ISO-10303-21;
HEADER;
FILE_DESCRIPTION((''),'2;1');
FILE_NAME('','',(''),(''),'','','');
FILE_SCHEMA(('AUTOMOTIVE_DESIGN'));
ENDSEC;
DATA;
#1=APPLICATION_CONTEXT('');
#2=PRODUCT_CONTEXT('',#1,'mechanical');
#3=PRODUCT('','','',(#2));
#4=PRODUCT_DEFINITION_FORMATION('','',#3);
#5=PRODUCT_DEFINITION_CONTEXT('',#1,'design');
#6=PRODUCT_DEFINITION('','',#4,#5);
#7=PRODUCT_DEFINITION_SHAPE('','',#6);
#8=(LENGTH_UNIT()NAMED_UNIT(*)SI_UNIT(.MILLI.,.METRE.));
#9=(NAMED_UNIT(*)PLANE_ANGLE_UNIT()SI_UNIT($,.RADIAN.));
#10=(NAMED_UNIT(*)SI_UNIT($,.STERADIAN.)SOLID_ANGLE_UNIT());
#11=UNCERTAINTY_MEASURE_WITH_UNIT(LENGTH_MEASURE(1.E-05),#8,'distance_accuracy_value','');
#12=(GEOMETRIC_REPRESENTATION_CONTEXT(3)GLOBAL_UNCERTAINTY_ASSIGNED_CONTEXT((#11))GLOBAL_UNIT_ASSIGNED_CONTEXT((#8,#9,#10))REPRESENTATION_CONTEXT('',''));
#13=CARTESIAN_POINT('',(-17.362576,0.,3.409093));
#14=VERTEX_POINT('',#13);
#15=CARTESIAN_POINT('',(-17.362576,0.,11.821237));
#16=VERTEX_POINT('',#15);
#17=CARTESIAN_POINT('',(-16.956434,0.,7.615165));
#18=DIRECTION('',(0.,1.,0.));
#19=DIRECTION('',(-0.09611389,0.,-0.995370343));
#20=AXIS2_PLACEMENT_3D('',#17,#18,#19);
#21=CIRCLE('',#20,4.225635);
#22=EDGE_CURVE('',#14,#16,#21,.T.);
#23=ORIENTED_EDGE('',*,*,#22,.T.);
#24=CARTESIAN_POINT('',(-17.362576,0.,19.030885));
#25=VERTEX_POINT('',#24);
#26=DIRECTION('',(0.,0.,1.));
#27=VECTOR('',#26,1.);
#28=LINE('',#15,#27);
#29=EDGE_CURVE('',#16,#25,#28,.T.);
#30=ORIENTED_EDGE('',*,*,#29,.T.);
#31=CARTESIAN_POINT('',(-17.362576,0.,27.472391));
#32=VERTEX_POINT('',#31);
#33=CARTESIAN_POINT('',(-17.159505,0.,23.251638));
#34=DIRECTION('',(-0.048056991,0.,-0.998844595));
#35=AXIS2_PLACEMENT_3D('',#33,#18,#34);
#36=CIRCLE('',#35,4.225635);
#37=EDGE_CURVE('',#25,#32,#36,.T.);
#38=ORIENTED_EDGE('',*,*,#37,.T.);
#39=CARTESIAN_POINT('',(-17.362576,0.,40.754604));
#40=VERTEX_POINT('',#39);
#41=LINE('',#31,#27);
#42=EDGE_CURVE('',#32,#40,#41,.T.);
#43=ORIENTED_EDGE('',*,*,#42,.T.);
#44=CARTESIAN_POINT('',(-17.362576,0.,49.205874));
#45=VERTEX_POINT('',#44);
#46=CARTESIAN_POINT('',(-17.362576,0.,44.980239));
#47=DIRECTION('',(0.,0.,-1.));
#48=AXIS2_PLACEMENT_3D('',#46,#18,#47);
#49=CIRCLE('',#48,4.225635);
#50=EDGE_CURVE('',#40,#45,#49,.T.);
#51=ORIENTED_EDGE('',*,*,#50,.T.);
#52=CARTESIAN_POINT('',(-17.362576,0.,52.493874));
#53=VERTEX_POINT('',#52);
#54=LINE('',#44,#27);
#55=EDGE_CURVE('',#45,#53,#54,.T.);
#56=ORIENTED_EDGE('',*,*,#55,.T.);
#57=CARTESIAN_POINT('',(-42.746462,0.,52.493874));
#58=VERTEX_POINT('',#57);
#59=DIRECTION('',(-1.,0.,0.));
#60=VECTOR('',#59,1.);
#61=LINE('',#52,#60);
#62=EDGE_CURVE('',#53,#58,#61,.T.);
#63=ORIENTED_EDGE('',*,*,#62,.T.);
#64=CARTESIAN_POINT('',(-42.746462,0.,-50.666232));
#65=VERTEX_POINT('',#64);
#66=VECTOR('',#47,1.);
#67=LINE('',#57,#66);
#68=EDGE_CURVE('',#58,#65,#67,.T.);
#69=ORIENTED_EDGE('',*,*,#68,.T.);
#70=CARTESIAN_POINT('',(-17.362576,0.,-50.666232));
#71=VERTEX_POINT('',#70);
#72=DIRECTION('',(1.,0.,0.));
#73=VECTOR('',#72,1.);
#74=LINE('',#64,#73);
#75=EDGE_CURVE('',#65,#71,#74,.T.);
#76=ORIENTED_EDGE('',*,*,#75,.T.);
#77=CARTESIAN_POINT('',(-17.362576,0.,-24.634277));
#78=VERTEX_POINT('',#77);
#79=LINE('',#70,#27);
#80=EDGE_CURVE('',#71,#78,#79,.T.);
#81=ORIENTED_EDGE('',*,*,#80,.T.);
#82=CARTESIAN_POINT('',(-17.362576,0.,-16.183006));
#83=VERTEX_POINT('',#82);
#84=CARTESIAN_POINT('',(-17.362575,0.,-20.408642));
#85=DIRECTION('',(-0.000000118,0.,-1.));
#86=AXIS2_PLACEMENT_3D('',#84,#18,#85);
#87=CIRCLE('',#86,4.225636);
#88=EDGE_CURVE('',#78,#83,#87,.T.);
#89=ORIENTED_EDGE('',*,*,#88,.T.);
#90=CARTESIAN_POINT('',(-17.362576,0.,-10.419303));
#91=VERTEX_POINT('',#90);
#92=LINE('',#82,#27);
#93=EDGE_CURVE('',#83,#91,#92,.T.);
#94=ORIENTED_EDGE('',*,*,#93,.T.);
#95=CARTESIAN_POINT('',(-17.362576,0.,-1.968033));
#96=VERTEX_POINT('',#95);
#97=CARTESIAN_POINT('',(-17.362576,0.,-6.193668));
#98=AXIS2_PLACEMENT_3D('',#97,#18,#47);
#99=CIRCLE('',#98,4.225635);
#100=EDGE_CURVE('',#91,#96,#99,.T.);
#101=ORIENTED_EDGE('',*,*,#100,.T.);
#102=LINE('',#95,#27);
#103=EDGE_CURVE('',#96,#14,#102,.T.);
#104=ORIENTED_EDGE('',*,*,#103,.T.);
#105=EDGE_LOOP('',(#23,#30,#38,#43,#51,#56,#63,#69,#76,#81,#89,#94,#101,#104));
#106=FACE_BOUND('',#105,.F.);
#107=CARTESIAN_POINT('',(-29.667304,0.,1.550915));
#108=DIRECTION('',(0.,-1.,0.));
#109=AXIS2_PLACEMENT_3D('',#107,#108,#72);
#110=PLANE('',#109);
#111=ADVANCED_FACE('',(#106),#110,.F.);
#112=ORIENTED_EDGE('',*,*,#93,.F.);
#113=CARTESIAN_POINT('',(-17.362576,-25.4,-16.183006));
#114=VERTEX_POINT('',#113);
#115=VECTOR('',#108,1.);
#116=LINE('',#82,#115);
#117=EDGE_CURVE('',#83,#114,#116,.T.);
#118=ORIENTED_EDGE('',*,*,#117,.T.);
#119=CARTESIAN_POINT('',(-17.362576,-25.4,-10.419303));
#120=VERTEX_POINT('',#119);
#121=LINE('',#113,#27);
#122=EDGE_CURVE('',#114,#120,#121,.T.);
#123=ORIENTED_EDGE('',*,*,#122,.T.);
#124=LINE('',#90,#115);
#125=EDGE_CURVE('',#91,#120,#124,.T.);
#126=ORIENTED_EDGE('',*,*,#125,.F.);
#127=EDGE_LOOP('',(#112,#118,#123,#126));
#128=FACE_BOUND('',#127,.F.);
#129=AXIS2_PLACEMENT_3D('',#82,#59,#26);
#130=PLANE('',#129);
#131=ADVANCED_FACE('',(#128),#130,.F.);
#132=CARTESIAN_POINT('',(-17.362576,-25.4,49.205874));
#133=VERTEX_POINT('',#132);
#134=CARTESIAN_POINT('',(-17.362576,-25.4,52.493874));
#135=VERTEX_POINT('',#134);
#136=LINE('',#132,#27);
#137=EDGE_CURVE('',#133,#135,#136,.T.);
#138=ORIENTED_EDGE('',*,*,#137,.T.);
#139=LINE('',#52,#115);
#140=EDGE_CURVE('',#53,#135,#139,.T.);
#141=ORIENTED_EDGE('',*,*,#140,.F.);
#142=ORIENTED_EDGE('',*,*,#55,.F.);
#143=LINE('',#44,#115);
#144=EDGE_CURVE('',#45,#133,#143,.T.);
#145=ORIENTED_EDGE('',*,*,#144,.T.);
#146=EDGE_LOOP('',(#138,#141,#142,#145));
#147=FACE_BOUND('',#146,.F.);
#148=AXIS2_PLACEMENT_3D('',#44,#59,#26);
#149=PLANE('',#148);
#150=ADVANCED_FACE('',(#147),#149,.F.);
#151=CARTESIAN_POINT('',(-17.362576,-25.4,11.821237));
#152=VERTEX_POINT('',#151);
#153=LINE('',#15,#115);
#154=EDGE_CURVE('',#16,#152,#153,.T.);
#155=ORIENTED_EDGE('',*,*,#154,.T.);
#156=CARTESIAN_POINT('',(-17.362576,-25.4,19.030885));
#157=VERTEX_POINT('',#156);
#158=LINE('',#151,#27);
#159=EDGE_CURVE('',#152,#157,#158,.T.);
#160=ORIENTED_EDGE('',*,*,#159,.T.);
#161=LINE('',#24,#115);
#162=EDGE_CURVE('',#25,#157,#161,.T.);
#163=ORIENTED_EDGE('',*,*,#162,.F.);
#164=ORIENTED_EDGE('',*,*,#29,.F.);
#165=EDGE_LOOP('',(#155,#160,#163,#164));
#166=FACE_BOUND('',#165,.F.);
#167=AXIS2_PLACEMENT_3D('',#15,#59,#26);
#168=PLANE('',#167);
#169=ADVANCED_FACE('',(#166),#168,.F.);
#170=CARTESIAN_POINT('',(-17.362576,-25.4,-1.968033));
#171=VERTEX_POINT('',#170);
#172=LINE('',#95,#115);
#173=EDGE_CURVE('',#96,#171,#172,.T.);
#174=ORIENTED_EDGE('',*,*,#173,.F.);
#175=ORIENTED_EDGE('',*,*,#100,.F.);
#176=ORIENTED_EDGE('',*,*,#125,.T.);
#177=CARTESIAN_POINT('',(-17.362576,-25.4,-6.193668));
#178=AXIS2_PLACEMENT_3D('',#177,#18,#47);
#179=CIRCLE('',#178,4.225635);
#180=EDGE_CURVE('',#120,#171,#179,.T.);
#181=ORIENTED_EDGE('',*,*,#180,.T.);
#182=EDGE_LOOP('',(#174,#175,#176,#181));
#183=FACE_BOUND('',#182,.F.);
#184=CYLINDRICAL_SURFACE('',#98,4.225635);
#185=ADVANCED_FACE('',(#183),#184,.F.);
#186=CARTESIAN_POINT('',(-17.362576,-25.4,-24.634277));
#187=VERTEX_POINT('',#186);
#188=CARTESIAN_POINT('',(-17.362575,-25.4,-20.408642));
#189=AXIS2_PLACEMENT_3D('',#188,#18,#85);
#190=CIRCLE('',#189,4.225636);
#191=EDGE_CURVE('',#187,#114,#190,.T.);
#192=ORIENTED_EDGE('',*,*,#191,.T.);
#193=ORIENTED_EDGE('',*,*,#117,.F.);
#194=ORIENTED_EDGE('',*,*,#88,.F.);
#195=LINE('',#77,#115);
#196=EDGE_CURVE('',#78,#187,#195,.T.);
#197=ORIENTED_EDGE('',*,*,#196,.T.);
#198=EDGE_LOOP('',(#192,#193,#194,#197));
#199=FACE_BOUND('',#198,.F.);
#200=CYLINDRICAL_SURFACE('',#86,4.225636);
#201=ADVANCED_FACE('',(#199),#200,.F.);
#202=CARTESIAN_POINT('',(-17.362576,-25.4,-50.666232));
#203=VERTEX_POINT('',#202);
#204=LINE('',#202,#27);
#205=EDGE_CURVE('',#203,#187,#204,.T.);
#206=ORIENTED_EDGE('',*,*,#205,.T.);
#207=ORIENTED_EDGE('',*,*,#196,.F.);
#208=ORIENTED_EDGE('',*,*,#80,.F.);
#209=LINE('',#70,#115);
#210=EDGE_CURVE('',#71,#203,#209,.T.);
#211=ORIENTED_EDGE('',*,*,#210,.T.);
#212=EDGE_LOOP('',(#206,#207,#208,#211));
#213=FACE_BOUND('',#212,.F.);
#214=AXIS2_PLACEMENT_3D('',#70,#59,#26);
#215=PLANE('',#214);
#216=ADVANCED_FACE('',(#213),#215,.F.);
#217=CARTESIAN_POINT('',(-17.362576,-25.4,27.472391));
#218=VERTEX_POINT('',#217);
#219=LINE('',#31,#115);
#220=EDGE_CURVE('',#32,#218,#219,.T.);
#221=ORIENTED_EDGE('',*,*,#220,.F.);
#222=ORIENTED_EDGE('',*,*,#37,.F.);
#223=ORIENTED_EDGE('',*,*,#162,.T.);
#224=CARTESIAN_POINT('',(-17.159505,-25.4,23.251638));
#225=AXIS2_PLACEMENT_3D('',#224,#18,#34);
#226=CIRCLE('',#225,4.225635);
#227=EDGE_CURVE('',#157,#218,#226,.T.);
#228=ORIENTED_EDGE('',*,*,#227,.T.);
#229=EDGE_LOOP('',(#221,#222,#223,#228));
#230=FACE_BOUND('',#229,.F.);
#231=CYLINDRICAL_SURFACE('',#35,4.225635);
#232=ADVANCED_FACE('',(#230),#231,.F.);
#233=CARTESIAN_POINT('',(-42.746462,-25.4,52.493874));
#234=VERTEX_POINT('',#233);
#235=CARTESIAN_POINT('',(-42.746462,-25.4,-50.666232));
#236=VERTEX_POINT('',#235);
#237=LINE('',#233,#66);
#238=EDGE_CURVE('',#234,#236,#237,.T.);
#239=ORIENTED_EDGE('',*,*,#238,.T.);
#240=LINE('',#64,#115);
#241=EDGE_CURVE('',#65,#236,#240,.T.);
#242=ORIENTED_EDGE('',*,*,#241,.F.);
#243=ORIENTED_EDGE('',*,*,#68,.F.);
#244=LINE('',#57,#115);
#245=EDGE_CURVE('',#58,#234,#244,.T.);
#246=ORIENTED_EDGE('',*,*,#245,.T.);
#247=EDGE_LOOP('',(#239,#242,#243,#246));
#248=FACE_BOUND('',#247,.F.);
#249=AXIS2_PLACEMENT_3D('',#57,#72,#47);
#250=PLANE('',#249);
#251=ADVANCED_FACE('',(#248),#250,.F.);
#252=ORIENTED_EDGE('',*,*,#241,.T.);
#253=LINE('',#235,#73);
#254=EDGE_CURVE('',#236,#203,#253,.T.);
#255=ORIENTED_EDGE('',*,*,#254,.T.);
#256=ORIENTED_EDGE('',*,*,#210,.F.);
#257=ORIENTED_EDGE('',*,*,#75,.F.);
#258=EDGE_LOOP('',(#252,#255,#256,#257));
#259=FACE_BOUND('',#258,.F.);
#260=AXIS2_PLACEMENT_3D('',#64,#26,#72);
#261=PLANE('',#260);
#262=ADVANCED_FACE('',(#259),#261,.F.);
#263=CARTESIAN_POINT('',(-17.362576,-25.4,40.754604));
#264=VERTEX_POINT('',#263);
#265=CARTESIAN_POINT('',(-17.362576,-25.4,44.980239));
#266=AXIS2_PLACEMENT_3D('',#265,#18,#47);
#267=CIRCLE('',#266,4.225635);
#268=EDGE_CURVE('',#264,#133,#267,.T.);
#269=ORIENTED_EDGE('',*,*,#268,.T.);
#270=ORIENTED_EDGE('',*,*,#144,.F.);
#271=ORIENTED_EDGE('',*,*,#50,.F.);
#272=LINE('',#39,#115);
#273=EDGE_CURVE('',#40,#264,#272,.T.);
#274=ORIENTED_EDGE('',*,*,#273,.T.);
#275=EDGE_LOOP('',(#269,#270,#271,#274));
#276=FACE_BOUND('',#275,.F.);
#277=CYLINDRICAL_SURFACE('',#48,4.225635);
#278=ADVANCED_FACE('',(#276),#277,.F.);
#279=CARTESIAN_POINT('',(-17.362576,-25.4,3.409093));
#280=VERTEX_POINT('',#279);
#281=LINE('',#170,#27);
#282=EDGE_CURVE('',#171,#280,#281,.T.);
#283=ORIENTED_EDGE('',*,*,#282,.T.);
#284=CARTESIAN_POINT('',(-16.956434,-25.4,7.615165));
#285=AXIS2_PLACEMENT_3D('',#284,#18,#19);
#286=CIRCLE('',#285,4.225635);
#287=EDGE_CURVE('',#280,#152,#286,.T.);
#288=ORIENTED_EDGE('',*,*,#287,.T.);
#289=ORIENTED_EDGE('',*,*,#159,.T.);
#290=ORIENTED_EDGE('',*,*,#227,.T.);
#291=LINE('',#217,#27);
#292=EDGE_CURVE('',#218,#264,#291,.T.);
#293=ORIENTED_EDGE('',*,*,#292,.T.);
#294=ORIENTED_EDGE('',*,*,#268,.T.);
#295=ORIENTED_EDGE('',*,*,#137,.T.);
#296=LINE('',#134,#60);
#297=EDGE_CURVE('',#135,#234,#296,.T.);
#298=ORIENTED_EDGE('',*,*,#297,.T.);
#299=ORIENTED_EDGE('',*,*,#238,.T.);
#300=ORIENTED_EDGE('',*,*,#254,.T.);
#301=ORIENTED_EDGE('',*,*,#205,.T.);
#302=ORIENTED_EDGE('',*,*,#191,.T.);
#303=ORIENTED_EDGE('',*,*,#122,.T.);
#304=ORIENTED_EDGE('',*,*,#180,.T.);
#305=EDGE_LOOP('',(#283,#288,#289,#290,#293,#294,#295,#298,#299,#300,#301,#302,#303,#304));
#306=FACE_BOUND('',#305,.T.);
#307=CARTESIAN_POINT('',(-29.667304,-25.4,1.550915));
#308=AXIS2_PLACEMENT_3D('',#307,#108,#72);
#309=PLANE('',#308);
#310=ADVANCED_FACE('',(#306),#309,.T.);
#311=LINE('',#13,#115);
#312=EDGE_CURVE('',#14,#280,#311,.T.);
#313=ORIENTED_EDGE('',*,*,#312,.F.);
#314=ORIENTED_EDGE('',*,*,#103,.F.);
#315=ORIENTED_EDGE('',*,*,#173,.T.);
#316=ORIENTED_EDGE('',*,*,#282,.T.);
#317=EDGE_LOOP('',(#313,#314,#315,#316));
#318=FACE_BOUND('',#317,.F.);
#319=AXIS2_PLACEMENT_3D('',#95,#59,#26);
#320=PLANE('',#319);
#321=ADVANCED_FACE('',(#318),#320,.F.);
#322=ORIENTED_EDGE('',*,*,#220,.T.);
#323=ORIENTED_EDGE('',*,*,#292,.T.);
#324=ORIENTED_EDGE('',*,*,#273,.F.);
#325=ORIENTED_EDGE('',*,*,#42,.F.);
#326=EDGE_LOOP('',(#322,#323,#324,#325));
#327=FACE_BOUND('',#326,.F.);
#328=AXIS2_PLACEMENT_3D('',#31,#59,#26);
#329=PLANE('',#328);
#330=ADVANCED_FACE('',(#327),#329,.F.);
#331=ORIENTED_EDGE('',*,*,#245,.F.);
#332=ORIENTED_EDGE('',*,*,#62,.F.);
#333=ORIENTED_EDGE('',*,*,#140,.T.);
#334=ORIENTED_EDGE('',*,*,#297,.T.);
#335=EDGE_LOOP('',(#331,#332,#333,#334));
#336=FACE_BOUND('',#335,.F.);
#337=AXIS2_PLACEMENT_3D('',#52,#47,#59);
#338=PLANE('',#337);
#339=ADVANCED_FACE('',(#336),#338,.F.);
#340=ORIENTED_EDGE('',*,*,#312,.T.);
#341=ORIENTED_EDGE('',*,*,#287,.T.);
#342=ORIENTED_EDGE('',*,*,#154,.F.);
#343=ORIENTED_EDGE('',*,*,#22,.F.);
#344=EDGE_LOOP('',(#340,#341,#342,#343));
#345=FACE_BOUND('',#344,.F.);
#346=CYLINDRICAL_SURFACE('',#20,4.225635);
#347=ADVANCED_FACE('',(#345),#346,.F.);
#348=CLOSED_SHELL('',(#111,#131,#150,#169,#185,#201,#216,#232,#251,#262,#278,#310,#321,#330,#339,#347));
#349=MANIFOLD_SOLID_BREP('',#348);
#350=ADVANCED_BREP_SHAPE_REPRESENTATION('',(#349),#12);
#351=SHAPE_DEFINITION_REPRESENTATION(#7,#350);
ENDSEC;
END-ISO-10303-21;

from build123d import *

# Parameters (mm, degrees)
F1_DEPTH = 25.4


with BuildPart() as f1:
    # F0 (on Front) → F1 (new body)
    with BuildSketch(Plane.XZ):
        with BuildLine():
            Line((-17.362576, 52.493874), (-42.746462, 52.493874))
            Line((-42.746462, 52.493874), (-42.746462, -50.666232))
            Line((-42.746462, -50.666232), (-17.362576, -50.666232))
            Line((-17.362576, -50.666232), (-17.362576, -24.634277))
            ThreePointArc((-17.362576, -24.634277), (-21.588211, -20.408642), (-17.362576, -16.183006))
            Line((-17.362576, -16.183006), (-17.362576, -10.419303))
            ThreePointArc((-17.362576, -10.419303), (-21.588211, -6.193668), (-17.362576, -1.968033))
            Line((-17.362576, -1.968033), (-17.362576, 3.409093))
            ThreePointArc((-17.362576, 3.409093), (-21.182069, 7.615165), (-17.362576, 11.821237))
            Line((-17.362576, 11.821237), (-17.362576, 19.030885))
            ThreePointArc((-17.362576, 19.030885), (-21.38514, 23.251638), (-17.362576, 27.472391))
            Line((-17.362576, 27.472391), (-17.362576, 40.754604))
            ThreePointArc((-17.362576, 40.754604), (-21.588211, 44.980239), (-17.362576, 49.205874))
            Line((-17.362576, 49.205874), (-17.362576, 52.493874))
        make_face()
    extrude(amount=F1_DEPTH)


solid = f1.part
